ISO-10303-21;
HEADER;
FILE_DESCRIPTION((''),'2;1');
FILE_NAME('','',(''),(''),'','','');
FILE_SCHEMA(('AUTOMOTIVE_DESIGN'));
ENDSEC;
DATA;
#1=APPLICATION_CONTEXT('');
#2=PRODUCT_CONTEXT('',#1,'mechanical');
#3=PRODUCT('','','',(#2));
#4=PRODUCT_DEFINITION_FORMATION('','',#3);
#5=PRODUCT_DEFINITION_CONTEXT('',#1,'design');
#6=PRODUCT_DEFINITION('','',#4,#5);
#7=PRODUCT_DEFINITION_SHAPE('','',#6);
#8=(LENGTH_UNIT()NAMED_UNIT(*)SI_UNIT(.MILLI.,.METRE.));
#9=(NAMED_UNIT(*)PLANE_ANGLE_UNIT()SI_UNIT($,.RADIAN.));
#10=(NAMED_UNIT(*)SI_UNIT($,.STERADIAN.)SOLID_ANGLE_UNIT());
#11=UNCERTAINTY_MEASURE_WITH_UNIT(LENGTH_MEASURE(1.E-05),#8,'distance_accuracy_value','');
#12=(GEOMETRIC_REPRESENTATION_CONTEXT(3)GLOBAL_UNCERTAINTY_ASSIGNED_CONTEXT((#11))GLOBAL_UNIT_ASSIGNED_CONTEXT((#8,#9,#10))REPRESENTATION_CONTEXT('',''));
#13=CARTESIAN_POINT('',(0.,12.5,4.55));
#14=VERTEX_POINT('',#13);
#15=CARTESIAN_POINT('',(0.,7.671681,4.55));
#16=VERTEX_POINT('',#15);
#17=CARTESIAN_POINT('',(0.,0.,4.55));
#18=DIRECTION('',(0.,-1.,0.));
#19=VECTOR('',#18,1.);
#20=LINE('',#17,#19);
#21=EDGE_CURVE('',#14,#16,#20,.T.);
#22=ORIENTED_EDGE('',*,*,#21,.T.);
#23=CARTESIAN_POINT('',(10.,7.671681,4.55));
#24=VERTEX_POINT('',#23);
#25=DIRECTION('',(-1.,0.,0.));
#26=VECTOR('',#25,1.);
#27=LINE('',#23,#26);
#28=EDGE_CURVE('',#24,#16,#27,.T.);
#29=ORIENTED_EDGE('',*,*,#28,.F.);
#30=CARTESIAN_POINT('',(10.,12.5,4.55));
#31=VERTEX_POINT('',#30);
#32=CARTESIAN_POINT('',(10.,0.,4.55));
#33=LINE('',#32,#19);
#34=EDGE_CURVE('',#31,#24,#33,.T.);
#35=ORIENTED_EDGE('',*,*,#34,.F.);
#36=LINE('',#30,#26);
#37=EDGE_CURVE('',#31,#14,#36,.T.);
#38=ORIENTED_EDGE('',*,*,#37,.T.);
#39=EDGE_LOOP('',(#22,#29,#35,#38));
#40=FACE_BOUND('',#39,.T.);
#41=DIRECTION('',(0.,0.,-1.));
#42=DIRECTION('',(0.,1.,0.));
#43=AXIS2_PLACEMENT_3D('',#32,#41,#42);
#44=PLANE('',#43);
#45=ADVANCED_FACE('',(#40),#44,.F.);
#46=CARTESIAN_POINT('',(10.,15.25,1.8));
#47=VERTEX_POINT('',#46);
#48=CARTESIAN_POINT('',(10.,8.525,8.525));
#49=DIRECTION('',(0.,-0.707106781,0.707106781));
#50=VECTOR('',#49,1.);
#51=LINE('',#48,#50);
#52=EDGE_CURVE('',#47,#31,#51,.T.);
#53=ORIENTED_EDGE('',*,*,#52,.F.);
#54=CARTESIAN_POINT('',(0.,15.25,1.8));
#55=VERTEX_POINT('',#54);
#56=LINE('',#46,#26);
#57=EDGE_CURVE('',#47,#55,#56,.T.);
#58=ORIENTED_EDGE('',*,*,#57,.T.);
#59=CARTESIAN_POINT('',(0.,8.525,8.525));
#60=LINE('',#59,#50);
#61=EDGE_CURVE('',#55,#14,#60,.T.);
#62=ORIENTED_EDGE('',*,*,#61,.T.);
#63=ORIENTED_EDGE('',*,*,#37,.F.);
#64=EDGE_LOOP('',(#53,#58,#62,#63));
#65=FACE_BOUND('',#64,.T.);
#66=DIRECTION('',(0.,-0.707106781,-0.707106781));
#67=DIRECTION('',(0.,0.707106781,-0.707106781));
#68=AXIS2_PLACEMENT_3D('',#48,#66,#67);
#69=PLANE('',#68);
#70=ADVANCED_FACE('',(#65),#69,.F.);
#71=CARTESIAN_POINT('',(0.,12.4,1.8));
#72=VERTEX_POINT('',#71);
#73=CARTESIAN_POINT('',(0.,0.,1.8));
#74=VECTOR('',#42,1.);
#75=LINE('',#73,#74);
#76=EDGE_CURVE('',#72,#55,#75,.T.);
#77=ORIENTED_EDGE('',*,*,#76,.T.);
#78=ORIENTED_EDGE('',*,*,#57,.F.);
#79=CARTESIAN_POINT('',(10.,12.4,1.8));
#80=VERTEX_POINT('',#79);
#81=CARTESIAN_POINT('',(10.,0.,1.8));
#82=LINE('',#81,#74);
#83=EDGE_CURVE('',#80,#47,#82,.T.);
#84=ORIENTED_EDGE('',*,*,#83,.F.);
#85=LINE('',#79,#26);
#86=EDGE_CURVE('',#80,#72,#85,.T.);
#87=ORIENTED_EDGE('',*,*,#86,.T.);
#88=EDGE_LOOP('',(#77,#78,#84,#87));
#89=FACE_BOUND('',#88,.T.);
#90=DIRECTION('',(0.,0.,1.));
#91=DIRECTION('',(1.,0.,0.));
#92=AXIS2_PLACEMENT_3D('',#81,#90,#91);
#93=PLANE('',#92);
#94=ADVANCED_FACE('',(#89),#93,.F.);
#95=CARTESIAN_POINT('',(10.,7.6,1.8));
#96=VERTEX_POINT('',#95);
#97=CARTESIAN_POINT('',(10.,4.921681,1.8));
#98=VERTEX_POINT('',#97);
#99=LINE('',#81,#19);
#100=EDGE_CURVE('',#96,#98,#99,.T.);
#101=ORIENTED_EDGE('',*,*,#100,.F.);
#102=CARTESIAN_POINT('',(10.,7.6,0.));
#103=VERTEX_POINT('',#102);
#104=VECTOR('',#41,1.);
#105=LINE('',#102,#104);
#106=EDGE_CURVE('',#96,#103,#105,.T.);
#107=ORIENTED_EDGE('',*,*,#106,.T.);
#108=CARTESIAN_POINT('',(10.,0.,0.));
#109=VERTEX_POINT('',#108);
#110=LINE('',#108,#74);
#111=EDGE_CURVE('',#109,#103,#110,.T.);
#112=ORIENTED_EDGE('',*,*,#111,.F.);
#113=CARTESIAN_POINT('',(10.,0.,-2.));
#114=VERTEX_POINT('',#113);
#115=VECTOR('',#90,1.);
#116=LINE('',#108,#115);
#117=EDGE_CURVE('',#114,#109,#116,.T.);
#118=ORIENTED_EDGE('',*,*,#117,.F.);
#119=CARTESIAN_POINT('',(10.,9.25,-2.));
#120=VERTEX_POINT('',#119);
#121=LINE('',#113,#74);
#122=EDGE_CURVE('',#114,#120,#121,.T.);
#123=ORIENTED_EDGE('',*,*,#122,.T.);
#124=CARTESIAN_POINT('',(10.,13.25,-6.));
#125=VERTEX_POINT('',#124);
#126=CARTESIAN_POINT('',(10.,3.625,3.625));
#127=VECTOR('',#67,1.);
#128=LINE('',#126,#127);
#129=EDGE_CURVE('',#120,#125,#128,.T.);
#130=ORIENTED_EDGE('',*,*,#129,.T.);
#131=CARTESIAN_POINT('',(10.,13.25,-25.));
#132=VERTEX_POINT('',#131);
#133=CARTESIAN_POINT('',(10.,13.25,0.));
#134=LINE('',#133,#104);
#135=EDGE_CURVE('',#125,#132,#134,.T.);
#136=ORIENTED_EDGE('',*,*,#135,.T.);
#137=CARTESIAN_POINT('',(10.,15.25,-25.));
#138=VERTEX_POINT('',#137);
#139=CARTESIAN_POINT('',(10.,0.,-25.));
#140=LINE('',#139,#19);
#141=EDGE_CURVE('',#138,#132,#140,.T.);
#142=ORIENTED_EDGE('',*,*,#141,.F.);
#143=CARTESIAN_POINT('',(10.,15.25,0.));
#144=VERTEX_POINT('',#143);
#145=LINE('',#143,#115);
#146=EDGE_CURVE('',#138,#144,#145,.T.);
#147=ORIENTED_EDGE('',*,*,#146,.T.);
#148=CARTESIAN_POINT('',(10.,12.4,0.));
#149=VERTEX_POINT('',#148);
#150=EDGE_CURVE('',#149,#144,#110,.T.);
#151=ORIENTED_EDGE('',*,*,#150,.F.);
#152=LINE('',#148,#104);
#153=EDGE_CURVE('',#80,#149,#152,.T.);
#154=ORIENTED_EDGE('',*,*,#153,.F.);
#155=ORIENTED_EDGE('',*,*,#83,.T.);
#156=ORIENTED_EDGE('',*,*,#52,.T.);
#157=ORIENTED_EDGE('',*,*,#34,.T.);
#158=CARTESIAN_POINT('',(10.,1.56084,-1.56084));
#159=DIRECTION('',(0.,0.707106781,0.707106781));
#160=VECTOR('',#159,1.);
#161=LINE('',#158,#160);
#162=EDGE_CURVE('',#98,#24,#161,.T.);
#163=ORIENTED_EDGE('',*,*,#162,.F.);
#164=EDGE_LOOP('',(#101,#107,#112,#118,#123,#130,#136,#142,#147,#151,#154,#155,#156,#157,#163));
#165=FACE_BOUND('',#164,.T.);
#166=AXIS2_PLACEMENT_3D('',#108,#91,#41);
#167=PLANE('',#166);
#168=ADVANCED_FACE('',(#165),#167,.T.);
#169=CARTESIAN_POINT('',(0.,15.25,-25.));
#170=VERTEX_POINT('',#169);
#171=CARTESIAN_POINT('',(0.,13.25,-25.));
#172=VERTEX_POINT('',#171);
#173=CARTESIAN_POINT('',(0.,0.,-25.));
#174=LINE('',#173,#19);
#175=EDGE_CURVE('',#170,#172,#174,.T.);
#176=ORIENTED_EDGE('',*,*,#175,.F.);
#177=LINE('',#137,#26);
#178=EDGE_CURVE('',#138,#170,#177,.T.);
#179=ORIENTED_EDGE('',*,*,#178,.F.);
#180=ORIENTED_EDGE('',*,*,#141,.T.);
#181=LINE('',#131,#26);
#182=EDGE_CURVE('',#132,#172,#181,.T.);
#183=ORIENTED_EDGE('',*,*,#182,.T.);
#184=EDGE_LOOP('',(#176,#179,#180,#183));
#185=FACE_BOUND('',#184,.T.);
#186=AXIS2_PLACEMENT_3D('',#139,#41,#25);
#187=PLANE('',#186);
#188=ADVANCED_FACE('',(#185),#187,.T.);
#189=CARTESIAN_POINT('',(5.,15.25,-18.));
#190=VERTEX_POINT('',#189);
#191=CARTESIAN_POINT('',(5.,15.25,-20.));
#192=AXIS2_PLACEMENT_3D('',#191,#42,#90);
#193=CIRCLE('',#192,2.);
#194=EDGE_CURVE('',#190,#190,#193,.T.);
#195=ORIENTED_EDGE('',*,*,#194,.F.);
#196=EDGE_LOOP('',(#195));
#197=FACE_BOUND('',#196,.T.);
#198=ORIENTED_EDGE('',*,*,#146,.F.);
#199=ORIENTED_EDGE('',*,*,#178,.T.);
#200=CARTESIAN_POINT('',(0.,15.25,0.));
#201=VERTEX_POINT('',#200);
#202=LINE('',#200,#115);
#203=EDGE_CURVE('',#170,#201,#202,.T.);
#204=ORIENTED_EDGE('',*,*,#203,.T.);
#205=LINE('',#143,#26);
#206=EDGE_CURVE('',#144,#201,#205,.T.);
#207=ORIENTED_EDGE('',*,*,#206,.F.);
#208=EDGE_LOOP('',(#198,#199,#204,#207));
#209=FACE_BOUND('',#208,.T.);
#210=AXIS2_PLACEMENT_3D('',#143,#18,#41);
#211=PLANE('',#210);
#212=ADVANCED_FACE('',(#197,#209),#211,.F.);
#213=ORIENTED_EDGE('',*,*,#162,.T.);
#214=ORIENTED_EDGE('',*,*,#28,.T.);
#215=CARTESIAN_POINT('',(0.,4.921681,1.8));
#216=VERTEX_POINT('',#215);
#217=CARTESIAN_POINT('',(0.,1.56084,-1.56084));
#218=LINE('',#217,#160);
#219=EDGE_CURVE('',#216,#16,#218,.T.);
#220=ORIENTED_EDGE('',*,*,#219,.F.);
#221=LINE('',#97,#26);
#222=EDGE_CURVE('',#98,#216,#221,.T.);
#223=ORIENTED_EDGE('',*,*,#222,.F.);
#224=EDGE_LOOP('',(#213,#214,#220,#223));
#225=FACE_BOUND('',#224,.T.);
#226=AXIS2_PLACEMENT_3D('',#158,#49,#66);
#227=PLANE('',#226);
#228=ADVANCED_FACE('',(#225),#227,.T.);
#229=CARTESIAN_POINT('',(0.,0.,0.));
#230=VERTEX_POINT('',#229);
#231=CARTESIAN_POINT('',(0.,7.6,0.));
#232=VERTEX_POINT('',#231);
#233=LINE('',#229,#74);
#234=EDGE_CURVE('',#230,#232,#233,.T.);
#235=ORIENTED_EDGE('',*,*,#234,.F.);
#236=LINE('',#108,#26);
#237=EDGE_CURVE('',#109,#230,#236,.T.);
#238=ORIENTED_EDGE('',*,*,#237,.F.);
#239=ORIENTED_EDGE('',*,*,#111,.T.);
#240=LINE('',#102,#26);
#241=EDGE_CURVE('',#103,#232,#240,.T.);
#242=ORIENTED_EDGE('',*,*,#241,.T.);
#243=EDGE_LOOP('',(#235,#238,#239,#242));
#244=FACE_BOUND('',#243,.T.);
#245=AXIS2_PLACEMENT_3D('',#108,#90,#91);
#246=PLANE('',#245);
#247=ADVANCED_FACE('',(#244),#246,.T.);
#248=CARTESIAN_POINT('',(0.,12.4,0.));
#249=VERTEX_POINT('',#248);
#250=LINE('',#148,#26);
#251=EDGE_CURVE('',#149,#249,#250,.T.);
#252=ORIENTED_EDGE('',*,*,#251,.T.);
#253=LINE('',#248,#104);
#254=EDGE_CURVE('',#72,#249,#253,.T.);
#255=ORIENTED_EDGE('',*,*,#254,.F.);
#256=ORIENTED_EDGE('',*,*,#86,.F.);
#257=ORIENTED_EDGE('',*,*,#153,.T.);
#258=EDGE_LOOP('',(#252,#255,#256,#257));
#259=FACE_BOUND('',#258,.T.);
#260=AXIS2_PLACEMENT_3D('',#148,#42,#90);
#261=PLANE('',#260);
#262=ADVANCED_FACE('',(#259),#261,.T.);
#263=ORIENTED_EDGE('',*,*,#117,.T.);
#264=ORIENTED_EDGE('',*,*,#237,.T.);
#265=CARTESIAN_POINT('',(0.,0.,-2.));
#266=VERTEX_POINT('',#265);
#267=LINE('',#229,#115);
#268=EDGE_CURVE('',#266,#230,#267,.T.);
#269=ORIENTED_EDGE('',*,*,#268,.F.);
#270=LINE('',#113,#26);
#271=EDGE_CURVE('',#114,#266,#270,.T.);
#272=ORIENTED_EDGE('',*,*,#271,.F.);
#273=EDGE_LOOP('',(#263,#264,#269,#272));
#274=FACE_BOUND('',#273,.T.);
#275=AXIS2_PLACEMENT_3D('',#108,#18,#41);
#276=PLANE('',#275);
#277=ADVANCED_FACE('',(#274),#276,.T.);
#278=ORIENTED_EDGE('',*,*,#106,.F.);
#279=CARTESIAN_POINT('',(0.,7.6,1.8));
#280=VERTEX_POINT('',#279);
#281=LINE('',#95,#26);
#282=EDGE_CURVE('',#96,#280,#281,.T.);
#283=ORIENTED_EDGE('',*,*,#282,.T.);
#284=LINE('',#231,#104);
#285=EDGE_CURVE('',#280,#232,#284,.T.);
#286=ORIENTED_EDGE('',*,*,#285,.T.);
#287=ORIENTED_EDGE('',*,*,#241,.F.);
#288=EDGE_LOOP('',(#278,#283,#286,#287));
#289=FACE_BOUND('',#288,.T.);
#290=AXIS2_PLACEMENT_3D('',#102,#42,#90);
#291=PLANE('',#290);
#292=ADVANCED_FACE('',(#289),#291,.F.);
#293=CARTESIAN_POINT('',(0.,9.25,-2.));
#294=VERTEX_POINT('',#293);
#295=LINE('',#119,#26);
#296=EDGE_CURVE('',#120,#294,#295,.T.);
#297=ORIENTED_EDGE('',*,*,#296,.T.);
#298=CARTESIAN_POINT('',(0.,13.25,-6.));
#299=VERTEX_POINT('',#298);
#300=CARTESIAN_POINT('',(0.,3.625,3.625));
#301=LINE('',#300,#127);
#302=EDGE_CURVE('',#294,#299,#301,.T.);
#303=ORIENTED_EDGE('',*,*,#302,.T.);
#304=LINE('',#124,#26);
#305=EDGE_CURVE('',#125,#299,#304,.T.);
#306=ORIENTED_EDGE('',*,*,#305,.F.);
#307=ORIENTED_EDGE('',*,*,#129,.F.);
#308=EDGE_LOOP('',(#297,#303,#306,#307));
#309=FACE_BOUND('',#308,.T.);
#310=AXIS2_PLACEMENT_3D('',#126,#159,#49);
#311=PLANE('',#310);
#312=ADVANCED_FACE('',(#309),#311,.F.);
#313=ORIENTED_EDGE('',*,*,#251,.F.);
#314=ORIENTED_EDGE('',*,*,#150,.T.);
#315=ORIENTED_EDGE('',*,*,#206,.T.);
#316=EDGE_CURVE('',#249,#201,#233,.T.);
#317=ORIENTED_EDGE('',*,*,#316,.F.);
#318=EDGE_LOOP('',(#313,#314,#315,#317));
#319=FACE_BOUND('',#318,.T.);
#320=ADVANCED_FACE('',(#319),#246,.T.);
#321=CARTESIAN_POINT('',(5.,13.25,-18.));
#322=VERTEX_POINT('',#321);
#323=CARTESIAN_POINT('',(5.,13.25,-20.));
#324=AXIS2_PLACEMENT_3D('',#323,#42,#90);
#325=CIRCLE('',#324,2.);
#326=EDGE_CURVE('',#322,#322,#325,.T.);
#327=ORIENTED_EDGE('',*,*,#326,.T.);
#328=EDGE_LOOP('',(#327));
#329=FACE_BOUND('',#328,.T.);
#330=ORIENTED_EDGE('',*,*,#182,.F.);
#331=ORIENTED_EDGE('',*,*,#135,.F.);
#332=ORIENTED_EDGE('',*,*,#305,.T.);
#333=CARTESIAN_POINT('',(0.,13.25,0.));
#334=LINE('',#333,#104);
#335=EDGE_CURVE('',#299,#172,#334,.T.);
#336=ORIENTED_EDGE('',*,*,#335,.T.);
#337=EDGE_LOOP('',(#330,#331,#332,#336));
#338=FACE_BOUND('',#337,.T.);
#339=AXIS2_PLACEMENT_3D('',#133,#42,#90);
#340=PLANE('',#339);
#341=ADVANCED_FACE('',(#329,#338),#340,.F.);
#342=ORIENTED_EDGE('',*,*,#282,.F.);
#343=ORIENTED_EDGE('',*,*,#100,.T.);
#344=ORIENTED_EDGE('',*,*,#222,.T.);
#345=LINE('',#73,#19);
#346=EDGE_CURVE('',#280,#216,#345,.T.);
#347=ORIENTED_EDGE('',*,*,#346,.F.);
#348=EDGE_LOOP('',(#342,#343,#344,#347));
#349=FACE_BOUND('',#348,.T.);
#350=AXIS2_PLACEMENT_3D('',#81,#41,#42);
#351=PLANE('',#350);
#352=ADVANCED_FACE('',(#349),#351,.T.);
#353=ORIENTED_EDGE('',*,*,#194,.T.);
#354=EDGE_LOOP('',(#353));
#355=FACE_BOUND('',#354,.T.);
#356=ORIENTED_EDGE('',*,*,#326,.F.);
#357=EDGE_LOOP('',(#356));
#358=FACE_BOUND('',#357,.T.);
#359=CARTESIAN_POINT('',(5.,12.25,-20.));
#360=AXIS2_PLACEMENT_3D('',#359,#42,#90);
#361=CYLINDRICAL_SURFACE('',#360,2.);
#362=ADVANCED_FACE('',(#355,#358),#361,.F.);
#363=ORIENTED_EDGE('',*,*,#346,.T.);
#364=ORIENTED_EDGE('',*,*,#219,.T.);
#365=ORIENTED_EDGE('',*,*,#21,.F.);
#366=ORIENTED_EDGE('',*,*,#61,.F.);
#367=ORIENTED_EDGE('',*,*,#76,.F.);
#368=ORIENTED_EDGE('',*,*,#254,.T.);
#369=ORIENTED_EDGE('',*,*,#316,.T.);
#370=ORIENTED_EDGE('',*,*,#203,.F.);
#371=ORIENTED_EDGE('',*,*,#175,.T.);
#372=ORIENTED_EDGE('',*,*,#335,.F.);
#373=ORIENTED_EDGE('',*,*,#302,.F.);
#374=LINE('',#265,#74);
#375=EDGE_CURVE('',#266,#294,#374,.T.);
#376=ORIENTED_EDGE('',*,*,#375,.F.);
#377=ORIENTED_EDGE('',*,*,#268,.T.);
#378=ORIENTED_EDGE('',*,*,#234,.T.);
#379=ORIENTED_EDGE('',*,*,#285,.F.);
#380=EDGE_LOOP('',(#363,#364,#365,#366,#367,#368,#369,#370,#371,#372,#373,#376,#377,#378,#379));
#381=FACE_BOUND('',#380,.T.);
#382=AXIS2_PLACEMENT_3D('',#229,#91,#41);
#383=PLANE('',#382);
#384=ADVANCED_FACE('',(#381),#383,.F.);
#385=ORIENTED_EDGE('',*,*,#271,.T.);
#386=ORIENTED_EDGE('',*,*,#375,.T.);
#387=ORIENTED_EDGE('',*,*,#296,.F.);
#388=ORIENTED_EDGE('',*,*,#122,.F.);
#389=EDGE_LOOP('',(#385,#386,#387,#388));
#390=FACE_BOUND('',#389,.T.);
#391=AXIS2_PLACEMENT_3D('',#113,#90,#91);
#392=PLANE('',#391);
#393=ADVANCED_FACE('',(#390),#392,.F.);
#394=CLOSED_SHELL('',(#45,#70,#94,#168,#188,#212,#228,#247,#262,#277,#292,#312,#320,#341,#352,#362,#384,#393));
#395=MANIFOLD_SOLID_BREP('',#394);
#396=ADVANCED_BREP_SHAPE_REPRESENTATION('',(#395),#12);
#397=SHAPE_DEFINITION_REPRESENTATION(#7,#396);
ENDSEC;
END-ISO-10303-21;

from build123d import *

# Parameters (mm, degrees)
BOSS_EXTRUDE2_DEPTH = 10
SKETCH2_R           = 2
CUT_EXTRUDE9_DEPTH  = 3


with BuildPart() as part:
    # Sketch1 → Boss-Extrude2 (new body)
    with BuildSketch(Plane(origin=(0, 0, 0), x_dir=(0, 0, -1), z_dir=(1, 0, 0))):
        Polygon((0, 0), (0, 7.6), (-1.8, 7.6), (-1.8, 4.921680622), (-4.55, 7.671680622), (-4.55, 12.5), (-1.8, 15.25), (-1.8, 12.4), (0, 12.4), (0, 15.25), (25, 15.25), (25, 13.25), (6, 13.25), (2, 9.25), (2, 0), align=None)
    extrude(amount=BOSS_EXTRUDE2_DEPTH)

    # Sketch2 → Cut-Extrude9 (cut)
    with BuildSketch(Plane(origin=(0, 15.25, 0), x_dir=(1, 0, 0), z_dir=(0, 1, 0))):
        with Locations(Location((5, 20, 0), (0, 0, 270))):
            Circle(SKETCH2_R)
    extrude(amount=-CUT_EXTRUDE9_DEPTH, mode=Mode.SUBTRACT)


solid = part.part
